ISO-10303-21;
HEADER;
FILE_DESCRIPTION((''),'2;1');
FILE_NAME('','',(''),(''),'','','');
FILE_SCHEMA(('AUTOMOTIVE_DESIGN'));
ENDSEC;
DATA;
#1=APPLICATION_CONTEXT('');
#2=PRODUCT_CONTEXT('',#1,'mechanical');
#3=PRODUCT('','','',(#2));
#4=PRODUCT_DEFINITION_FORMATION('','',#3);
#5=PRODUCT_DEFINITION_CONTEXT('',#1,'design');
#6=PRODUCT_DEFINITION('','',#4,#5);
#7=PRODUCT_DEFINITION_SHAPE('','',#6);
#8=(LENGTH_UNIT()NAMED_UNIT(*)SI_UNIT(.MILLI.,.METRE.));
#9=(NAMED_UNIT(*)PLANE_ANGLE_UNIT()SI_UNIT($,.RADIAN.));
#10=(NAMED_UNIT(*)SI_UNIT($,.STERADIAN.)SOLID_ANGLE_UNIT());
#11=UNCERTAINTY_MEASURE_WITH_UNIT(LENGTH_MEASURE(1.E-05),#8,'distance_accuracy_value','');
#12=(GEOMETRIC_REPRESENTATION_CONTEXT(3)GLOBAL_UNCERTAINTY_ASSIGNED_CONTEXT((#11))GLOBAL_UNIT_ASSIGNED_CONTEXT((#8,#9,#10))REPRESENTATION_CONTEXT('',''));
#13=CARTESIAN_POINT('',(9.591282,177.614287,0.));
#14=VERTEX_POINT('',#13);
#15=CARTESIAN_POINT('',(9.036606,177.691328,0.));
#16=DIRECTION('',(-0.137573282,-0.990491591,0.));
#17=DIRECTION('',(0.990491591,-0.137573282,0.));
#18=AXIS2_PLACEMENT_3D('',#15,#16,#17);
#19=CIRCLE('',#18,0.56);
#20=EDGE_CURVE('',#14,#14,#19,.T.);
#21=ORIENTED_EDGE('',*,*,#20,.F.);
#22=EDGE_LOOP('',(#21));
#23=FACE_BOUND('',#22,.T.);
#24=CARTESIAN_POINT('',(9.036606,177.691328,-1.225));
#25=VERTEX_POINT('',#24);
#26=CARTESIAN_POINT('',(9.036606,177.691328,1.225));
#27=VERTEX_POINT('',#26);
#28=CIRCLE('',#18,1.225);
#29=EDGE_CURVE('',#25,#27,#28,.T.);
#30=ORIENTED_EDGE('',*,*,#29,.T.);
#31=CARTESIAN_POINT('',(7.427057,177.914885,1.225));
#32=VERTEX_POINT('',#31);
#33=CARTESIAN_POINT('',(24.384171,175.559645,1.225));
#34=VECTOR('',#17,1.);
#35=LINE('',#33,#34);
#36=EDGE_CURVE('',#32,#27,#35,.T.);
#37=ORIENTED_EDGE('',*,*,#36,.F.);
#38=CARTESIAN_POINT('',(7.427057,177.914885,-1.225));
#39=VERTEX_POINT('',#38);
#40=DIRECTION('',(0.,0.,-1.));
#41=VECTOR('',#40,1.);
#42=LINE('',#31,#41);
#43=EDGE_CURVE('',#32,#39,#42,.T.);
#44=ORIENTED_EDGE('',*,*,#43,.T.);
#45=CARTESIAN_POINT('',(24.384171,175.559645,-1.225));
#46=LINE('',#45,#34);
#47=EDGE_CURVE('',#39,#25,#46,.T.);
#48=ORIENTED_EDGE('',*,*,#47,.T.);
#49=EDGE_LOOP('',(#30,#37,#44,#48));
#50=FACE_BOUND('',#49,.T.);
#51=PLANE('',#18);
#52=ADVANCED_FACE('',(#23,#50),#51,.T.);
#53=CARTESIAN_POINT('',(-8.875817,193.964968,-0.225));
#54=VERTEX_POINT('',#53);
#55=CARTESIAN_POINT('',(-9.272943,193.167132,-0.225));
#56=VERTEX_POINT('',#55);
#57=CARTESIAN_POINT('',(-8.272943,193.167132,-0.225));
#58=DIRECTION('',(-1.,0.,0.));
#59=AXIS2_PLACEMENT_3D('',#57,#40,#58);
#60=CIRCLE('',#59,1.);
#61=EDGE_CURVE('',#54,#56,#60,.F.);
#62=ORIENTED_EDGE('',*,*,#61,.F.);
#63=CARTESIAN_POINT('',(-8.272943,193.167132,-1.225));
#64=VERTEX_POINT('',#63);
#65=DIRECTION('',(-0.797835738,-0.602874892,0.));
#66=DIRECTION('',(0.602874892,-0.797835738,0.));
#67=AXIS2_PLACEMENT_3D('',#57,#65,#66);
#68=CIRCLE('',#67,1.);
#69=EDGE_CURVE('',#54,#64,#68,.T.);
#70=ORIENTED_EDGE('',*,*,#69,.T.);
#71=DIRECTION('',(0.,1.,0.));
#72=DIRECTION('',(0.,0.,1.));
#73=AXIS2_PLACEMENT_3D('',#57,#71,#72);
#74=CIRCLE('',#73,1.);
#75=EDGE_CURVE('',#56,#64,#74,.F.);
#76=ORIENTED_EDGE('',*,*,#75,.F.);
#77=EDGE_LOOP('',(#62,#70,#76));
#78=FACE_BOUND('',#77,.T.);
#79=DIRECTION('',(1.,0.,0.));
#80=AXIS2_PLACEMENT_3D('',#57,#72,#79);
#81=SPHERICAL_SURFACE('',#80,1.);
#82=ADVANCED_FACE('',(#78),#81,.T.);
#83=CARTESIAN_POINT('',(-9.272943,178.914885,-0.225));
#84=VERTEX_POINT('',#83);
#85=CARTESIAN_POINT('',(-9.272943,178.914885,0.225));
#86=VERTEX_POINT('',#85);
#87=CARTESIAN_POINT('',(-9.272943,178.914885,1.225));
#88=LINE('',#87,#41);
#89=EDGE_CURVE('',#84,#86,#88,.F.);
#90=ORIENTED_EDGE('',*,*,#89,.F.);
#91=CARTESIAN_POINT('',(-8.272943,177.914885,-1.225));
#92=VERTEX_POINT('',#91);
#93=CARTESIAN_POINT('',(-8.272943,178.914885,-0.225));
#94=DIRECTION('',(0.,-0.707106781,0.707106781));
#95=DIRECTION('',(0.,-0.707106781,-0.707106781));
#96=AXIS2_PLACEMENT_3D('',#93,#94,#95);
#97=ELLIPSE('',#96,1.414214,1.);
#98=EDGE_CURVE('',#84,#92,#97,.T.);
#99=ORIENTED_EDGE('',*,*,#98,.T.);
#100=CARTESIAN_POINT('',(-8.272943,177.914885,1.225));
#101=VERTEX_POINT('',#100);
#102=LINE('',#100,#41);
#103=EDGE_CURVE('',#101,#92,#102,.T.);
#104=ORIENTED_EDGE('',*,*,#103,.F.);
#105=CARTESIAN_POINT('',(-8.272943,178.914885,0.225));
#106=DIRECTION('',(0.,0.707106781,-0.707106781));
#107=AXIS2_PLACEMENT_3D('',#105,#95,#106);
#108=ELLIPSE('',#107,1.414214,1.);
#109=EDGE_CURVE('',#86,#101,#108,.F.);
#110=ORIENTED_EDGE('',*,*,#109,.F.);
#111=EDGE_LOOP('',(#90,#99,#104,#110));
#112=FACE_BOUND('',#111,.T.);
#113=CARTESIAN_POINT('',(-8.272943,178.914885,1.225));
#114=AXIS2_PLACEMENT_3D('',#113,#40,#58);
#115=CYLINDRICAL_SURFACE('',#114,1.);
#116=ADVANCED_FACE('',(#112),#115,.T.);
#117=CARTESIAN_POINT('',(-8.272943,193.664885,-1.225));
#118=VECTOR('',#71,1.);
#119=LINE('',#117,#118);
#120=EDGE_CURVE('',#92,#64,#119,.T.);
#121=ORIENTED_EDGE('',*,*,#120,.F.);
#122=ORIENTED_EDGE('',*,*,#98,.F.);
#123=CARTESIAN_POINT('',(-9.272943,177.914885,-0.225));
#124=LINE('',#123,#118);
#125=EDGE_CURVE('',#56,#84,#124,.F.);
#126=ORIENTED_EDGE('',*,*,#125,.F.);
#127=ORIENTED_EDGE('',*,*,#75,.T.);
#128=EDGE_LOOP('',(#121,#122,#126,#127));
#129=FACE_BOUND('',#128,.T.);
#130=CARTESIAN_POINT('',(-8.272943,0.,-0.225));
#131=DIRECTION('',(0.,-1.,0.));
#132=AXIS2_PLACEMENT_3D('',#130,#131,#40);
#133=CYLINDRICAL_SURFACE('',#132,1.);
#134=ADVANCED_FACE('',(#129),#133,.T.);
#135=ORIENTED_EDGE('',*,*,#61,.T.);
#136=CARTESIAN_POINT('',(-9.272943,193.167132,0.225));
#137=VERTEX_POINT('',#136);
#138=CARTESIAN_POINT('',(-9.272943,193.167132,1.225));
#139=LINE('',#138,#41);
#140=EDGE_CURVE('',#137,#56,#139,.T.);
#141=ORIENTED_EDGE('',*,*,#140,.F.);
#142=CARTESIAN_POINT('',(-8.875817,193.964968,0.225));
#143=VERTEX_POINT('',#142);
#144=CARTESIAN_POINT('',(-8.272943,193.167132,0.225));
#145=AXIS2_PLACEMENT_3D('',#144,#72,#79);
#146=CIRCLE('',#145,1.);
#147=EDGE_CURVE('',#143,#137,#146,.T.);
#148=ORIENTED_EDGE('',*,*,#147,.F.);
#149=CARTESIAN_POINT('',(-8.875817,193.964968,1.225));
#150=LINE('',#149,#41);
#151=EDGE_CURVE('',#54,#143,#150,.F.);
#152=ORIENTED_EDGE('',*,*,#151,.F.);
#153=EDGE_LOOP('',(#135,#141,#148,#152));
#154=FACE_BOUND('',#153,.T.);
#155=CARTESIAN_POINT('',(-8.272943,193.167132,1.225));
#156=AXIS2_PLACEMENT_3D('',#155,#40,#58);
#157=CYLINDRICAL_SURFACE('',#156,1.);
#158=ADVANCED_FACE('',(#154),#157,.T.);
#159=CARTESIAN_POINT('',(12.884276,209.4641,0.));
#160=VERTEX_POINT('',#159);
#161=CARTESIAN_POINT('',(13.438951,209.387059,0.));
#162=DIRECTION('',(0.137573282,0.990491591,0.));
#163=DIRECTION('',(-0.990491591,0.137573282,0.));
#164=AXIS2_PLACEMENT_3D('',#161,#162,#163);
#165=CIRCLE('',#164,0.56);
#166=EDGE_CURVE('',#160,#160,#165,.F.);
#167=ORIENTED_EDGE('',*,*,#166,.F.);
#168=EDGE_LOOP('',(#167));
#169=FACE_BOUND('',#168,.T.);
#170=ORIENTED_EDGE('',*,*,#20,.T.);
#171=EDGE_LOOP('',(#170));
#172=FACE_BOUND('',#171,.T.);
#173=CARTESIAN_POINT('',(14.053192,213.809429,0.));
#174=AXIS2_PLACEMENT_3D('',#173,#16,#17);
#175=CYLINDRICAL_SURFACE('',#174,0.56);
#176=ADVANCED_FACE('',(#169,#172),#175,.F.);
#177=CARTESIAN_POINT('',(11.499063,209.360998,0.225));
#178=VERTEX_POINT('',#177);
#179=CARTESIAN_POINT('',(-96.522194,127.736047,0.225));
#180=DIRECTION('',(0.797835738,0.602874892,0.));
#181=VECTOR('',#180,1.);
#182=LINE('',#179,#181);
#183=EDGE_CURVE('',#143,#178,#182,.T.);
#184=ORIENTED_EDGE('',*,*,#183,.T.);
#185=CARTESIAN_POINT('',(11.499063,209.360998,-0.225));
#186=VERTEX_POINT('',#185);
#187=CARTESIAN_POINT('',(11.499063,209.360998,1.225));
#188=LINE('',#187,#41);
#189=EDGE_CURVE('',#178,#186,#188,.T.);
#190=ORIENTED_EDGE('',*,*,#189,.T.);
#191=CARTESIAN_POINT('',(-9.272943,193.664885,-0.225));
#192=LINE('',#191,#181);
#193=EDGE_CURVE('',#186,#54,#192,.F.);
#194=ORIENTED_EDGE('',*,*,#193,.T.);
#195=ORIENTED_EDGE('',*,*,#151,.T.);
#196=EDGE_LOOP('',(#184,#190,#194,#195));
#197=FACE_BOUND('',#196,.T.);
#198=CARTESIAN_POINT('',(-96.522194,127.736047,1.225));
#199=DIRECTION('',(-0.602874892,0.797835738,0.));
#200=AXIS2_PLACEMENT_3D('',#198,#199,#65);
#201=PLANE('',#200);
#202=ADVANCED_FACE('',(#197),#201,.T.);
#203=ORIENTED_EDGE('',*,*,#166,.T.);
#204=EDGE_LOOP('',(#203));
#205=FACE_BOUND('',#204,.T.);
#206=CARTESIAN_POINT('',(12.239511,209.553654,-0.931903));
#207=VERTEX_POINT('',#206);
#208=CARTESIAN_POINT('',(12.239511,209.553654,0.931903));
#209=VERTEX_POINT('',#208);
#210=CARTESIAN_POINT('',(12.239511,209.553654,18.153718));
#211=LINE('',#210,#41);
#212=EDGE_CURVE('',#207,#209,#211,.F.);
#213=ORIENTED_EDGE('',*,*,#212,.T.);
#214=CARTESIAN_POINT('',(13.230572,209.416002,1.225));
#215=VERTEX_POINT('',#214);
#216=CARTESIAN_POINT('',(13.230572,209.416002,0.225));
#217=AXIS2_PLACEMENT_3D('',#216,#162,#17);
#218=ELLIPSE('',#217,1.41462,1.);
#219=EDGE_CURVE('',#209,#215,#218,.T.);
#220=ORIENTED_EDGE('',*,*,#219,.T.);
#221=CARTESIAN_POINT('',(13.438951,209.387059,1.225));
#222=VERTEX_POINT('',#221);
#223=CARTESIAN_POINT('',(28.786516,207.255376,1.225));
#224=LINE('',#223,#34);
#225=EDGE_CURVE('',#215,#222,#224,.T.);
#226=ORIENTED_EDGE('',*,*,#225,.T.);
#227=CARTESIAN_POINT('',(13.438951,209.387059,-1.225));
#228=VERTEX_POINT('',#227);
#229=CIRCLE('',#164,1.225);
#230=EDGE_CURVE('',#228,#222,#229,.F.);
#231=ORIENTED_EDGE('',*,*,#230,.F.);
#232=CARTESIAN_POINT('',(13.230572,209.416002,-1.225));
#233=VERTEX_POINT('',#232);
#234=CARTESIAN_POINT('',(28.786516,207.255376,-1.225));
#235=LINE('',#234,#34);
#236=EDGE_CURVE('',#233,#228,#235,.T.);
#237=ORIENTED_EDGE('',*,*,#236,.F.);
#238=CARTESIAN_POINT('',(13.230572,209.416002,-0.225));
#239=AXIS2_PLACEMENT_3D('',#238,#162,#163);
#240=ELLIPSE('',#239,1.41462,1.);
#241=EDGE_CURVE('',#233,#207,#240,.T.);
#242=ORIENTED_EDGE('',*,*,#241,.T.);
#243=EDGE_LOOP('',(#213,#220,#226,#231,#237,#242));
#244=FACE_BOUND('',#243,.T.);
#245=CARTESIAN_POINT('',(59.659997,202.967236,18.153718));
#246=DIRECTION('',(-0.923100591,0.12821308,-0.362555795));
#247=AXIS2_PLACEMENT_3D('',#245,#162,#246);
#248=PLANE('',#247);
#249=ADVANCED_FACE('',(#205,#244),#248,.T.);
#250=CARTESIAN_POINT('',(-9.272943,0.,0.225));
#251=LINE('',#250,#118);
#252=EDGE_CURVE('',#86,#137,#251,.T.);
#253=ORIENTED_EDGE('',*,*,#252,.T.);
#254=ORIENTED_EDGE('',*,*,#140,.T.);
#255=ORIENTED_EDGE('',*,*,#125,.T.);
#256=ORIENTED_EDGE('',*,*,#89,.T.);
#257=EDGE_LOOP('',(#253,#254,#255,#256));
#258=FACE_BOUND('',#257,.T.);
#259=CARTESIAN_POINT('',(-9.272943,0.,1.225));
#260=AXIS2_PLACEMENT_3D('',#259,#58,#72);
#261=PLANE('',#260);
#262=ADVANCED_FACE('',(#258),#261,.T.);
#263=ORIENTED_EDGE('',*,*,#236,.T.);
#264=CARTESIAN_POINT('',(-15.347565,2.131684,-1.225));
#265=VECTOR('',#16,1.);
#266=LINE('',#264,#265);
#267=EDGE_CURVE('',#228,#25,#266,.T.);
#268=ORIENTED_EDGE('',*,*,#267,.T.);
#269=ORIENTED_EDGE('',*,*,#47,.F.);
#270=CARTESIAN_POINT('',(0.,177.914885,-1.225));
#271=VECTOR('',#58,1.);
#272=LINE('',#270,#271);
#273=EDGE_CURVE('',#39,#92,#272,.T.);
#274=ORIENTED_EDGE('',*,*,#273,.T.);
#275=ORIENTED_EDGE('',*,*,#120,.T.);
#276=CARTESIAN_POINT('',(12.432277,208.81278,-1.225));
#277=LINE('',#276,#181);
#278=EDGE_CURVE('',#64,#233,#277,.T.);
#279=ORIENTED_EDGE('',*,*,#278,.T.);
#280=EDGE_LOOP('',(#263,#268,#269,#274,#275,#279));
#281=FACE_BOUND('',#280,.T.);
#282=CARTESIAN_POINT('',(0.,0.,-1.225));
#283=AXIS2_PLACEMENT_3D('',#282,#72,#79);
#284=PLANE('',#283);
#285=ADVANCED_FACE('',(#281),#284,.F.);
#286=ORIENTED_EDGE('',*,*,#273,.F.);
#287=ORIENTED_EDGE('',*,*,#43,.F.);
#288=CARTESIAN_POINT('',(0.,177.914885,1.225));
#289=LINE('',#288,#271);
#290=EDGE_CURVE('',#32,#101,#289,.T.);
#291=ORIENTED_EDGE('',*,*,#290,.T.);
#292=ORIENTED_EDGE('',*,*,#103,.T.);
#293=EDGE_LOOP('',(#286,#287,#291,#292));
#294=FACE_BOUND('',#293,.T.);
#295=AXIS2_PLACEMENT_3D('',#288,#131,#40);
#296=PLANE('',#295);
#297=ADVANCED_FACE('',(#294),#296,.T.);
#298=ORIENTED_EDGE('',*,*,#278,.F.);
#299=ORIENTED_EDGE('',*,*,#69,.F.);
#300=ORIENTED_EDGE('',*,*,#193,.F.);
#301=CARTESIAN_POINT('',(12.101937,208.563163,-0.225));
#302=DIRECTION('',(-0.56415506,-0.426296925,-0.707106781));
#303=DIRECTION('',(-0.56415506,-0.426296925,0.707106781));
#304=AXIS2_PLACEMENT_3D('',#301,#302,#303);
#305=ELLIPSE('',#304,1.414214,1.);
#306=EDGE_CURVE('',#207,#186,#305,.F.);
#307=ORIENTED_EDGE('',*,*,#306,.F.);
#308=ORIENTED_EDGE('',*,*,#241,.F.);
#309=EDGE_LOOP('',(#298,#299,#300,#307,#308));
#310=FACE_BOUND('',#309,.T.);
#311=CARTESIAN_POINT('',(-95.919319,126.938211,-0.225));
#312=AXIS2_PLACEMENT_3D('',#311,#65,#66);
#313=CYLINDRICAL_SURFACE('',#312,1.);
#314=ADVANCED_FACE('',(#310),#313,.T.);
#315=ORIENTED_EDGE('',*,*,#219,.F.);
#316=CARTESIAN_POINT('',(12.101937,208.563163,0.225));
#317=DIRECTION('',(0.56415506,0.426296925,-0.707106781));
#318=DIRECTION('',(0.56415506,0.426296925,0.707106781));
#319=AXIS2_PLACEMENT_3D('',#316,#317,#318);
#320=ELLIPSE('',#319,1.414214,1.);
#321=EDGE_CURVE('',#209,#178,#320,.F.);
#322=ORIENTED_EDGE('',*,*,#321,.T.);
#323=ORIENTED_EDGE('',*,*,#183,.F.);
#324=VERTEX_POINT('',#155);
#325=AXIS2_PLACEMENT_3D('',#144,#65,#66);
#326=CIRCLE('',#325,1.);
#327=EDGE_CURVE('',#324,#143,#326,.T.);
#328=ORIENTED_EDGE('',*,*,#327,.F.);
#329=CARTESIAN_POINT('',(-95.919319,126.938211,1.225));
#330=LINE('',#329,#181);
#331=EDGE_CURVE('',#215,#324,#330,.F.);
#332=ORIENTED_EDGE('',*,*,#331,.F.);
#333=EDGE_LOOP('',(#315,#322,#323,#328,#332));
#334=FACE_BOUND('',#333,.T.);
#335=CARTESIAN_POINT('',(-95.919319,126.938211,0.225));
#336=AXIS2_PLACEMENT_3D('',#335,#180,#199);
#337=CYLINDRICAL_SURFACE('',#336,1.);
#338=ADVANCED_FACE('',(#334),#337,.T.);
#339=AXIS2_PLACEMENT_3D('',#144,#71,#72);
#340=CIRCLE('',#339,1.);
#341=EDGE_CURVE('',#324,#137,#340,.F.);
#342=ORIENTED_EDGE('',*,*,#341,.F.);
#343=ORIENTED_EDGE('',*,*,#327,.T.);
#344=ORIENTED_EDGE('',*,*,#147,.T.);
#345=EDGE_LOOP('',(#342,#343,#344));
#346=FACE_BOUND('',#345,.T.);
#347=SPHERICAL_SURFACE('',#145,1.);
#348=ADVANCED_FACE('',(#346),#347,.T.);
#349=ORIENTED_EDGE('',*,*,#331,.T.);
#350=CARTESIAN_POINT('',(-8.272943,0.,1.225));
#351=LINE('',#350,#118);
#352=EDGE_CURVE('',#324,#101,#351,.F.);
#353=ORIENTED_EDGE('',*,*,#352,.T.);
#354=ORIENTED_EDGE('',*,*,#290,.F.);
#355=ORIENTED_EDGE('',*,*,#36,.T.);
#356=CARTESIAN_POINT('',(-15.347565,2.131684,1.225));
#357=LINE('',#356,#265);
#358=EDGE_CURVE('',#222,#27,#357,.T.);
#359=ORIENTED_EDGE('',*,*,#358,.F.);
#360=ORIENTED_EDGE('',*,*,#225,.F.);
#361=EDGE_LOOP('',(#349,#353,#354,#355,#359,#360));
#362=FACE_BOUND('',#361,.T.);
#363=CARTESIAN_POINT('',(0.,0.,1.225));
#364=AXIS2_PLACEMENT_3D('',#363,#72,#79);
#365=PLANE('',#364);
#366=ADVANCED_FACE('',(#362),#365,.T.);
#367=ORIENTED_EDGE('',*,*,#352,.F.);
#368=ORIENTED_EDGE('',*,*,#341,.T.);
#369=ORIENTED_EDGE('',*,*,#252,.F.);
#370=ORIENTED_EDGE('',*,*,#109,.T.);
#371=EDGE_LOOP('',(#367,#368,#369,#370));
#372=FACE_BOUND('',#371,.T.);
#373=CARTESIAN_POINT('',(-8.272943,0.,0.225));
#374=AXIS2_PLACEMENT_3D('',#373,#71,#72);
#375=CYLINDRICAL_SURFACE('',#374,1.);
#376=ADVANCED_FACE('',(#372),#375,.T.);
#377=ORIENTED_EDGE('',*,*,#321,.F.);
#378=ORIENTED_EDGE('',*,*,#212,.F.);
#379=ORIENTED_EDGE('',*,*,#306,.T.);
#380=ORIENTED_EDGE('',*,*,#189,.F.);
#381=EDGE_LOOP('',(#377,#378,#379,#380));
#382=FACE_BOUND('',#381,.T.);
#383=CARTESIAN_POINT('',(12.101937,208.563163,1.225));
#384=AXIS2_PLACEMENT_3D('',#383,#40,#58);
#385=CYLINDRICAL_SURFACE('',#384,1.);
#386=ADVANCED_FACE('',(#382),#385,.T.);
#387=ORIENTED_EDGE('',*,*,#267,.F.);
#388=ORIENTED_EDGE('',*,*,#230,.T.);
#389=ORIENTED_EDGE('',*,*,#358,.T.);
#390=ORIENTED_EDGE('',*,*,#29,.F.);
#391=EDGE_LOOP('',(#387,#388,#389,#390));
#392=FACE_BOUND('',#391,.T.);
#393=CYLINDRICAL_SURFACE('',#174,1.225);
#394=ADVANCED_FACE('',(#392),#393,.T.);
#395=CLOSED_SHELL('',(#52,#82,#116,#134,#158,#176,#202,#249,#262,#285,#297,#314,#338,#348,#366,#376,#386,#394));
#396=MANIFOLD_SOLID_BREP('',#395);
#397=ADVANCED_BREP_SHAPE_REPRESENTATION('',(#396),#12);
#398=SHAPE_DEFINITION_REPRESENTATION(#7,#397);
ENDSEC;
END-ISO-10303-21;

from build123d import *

# Parameters (mm, degrees)
SKETCH4_R           = 1.225
SKETCH4_R_2         = 0.56
BOSS_EXTRUDE1_DEPTH = 32
BOSS_EXTRUDE2_DEPTH = 1.225
SKETCH5_R           = 0.56
CUT_EXTRUDE1_DEPTH  = 32
FILLET1_R           = 1


with BuildPart() as part:
    # Sketch4 → Boss-Extrude1 (new body)
    with BuildSketch(Plane(origin=(24.384171153, 175.5596446, 0), x_dir=(-0.990491591, 0.137573282, 0), z_dir=(-0.137573282, -0.990491591, 0))):
        with Locations((15.494896665, 0)):
            Circle(SKETCH4_R)
        with Locations((15.494896665, 0)):
            Circle(SKETCH4_R_2, mode=Mode.SUBTRACT)
    extrude(amount=-BOSS_EXTRUDE1_DEPTH)

    # Sketch2 → Boss-Extrude2 (add, symmetric)
    with BuildSketch(Plane.XY):
        Polygon((-9.272942535, 193.66488497), (11.829402487, 209.610615887), (7.427057465, 177.91488497), (-9.272942535, 177.91488497), align=None)
        Polygon((9.036606301, 177.691328387), (13.438951323, 209.387059303), (11.829402487, 209.610615887), (7.427057465, 177.91488497), align=None)
    extrude(amount=BOSS_EXTRUDE2_DEPTH, both=True)

    # Sketch5 → Cut-Extrude1 (cut)
    with BuildSketch(Plane(origin=(24.384171153, 175.5596446, 0), x_dir=(0.990491591, -0.137573282, 0), z_dir=(-0.137573282, -0.990491591, 0))):
        with Locations((-15.494896665, 0)):
            Circle(SKETCH5_R)
    extrude(amount=-CUT_EXTRUDE1_DEPTH, mode=Mode.SUBTRACT)

    # Fillet1
    fillet1_edges = [part.edges().sort_by_distance(p)[0] for p in [
        (1.278229976, 201.637750428, 1.225),
        (11.829402487, 209.610615887, 0),
        (-9.272942535, 185.78988497, 1.225),
        (-9.272942535, 193.66488497, 0),
        (-9.272942535, 177.91488497, 0),
        (1.278229976, 201.637750428, -1.225),
        (-9.272942535, 185.78988497, -1.225),
    ]]
    fillet(fillet1_edges, radius=FILLET1_R)


solid = part.part
